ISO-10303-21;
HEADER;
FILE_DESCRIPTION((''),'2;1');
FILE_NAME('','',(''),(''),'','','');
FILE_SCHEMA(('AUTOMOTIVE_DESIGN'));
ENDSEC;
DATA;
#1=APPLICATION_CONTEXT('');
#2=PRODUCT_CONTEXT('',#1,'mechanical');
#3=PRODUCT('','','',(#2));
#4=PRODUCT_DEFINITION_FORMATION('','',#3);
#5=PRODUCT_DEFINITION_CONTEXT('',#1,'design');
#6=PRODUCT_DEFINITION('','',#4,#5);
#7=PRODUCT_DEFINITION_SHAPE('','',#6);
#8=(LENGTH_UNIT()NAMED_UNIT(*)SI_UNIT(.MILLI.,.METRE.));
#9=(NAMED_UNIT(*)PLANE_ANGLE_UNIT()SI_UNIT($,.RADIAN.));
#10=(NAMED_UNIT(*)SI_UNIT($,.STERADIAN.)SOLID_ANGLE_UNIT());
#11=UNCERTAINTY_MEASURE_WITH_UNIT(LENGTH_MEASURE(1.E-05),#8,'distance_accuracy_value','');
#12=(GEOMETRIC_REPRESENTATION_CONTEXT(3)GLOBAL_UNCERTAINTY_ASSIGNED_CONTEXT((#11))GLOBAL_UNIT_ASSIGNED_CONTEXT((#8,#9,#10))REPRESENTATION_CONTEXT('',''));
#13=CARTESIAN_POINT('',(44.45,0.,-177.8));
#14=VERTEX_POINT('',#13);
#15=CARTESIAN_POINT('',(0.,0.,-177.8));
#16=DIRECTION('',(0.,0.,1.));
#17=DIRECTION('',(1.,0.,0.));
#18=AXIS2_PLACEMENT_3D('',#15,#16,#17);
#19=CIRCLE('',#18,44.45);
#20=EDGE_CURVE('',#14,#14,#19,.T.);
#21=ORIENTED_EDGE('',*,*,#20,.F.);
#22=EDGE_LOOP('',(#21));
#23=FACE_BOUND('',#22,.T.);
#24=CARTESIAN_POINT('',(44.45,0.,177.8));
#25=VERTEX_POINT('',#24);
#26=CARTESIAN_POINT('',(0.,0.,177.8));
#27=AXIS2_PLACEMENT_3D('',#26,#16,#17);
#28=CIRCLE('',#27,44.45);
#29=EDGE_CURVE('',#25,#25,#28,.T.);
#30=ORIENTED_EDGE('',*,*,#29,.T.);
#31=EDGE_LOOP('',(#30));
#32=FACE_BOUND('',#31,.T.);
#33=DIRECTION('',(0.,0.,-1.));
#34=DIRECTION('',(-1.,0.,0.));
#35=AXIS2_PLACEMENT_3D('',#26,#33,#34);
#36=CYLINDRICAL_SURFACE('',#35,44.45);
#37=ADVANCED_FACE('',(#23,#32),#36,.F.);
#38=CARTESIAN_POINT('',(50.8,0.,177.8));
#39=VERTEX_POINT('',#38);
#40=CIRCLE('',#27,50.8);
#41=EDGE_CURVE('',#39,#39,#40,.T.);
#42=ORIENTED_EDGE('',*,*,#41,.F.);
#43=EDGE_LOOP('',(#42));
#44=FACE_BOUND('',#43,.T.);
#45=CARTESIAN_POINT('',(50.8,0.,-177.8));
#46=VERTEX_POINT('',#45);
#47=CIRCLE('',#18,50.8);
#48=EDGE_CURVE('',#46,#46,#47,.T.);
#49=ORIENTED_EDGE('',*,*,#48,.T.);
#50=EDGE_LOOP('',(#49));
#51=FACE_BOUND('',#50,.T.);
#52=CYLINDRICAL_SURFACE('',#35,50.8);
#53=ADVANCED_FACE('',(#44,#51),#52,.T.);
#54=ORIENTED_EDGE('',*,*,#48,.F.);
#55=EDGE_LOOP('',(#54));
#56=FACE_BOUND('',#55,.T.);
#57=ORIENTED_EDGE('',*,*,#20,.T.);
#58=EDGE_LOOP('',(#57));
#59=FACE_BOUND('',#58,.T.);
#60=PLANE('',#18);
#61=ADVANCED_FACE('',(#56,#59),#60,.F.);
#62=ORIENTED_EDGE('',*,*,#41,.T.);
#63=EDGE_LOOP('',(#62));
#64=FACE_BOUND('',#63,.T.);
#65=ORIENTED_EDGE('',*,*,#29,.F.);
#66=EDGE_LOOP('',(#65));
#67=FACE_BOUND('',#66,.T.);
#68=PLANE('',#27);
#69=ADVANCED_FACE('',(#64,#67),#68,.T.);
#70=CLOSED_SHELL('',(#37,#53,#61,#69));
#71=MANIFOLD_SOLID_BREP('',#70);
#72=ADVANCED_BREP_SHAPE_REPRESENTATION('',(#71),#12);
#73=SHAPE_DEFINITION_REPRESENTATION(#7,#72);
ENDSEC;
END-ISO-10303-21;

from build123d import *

# Parameters (mm, degrees)
SKETCH3_R           = 50.8
SKETCH3_R_2         = 44.45
BOSS_EXTRUDE1_DEPTH = 177.8


with BuildPart() as part:
    # Sketch3 → Boss-Extrude1 (new, symmetric)
    with BuildSketch(Plane.XY):
        Circle(SKETCH3_R)
        Circle(SKETCH3_R_2, mode=Mode.SUBTRACT)
    extrude(amount=BOSS_EXTRUDE1_DEPTH, both=True)


solid = part.part
